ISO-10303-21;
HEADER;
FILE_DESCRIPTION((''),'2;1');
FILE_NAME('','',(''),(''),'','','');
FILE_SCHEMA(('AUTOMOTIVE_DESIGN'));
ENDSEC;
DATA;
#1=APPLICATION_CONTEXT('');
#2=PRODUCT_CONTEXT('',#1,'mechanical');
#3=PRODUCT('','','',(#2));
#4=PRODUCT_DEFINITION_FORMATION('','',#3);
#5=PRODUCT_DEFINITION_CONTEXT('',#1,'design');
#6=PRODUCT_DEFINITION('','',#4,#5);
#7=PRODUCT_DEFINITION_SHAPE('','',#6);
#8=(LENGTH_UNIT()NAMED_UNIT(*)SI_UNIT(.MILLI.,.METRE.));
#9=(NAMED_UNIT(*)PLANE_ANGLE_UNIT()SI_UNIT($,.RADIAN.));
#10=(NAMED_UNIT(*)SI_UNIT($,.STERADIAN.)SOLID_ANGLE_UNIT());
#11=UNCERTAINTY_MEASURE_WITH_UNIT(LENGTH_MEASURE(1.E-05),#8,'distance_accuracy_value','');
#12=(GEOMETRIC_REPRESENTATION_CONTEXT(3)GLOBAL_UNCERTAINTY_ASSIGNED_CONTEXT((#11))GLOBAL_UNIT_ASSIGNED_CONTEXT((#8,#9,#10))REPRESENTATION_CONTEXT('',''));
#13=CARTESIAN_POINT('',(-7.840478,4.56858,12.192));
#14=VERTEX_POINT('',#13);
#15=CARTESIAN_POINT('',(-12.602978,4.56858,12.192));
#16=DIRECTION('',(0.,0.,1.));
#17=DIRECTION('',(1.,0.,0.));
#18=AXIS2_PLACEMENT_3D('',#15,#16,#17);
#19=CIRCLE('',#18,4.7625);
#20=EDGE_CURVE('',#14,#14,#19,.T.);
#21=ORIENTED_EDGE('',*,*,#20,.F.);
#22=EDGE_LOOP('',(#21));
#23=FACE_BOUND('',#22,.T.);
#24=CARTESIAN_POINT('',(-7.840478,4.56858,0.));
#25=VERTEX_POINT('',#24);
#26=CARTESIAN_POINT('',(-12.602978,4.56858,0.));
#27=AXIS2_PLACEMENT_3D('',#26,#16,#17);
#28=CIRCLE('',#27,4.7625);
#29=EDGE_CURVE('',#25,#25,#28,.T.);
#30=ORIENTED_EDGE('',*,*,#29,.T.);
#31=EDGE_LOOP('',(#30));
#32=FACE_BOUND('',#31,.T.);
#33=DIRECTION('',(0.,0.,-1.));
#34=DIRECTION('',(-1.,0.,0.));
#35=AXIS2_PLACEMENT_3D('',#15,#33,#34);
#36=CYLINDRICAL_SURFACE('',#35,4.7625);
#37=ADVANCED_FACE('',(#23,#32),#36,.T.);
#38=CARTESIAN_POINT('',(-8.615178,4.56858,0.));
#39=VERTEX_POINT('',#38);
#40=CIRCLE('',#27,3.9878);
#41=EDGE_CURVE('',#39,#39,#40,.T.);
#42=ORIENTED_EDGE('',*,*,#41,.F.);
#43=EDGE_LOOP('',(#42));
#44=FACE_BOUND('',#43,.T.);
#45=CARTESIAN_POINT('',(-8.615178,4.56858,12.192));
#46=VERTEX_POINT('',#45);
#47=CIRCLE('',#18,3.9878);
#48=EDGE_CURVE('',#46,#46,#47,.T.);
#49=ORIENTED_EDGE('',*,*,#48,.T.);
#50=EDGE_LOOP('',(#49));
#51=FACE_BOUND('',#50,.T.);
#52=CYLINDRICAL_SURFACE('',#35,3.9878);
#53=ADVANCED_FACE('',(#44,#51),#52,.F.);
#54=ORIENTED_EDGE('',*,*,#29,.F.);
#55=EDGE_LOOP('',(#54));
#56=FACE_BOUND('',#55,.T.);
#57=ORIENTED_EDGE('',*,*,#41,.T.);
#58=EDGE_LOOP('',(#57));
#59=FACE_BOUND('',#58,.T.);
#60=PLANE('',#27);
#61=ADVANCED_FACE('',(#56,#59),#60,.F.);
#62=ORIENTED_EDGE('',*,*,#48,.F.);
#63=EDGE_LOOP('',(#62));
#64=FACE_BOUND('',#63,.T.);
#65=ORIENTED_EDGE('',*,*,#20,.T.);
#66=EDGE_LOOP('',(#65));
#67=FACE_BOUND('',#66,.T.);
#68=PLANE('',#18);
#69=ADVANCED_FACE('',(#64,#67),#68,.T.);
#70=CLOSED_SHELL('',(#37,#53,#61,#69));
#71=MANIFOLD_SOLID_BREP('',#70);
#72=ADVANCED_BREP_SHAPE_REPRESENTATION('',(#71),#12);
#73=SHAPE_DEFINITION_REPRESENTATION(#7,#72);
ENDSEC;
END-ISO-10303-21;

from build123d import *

# Parameters (mm, degrees)
SKETCH1_R      = 4.7625
SKETCH1_R_2    = 3.9878
EXTRUDE1_DEPTH = 12.192


with BuildPart() as part:
    # Sketch1 → Extrude1 (new body)
    with BuildSketch(Plane.XY):
        with Locations((-12.602978236, 4.568579611)):
            Circle(SKETCH1_R)
        with Locations((-12.602978236, 4.568579611)):
            Circle(SKETCH1_R_2, mode=Mode.SUBTRACT)
    extrude(amount=EXTRUDE1_DEPTH)


solid = part.part
